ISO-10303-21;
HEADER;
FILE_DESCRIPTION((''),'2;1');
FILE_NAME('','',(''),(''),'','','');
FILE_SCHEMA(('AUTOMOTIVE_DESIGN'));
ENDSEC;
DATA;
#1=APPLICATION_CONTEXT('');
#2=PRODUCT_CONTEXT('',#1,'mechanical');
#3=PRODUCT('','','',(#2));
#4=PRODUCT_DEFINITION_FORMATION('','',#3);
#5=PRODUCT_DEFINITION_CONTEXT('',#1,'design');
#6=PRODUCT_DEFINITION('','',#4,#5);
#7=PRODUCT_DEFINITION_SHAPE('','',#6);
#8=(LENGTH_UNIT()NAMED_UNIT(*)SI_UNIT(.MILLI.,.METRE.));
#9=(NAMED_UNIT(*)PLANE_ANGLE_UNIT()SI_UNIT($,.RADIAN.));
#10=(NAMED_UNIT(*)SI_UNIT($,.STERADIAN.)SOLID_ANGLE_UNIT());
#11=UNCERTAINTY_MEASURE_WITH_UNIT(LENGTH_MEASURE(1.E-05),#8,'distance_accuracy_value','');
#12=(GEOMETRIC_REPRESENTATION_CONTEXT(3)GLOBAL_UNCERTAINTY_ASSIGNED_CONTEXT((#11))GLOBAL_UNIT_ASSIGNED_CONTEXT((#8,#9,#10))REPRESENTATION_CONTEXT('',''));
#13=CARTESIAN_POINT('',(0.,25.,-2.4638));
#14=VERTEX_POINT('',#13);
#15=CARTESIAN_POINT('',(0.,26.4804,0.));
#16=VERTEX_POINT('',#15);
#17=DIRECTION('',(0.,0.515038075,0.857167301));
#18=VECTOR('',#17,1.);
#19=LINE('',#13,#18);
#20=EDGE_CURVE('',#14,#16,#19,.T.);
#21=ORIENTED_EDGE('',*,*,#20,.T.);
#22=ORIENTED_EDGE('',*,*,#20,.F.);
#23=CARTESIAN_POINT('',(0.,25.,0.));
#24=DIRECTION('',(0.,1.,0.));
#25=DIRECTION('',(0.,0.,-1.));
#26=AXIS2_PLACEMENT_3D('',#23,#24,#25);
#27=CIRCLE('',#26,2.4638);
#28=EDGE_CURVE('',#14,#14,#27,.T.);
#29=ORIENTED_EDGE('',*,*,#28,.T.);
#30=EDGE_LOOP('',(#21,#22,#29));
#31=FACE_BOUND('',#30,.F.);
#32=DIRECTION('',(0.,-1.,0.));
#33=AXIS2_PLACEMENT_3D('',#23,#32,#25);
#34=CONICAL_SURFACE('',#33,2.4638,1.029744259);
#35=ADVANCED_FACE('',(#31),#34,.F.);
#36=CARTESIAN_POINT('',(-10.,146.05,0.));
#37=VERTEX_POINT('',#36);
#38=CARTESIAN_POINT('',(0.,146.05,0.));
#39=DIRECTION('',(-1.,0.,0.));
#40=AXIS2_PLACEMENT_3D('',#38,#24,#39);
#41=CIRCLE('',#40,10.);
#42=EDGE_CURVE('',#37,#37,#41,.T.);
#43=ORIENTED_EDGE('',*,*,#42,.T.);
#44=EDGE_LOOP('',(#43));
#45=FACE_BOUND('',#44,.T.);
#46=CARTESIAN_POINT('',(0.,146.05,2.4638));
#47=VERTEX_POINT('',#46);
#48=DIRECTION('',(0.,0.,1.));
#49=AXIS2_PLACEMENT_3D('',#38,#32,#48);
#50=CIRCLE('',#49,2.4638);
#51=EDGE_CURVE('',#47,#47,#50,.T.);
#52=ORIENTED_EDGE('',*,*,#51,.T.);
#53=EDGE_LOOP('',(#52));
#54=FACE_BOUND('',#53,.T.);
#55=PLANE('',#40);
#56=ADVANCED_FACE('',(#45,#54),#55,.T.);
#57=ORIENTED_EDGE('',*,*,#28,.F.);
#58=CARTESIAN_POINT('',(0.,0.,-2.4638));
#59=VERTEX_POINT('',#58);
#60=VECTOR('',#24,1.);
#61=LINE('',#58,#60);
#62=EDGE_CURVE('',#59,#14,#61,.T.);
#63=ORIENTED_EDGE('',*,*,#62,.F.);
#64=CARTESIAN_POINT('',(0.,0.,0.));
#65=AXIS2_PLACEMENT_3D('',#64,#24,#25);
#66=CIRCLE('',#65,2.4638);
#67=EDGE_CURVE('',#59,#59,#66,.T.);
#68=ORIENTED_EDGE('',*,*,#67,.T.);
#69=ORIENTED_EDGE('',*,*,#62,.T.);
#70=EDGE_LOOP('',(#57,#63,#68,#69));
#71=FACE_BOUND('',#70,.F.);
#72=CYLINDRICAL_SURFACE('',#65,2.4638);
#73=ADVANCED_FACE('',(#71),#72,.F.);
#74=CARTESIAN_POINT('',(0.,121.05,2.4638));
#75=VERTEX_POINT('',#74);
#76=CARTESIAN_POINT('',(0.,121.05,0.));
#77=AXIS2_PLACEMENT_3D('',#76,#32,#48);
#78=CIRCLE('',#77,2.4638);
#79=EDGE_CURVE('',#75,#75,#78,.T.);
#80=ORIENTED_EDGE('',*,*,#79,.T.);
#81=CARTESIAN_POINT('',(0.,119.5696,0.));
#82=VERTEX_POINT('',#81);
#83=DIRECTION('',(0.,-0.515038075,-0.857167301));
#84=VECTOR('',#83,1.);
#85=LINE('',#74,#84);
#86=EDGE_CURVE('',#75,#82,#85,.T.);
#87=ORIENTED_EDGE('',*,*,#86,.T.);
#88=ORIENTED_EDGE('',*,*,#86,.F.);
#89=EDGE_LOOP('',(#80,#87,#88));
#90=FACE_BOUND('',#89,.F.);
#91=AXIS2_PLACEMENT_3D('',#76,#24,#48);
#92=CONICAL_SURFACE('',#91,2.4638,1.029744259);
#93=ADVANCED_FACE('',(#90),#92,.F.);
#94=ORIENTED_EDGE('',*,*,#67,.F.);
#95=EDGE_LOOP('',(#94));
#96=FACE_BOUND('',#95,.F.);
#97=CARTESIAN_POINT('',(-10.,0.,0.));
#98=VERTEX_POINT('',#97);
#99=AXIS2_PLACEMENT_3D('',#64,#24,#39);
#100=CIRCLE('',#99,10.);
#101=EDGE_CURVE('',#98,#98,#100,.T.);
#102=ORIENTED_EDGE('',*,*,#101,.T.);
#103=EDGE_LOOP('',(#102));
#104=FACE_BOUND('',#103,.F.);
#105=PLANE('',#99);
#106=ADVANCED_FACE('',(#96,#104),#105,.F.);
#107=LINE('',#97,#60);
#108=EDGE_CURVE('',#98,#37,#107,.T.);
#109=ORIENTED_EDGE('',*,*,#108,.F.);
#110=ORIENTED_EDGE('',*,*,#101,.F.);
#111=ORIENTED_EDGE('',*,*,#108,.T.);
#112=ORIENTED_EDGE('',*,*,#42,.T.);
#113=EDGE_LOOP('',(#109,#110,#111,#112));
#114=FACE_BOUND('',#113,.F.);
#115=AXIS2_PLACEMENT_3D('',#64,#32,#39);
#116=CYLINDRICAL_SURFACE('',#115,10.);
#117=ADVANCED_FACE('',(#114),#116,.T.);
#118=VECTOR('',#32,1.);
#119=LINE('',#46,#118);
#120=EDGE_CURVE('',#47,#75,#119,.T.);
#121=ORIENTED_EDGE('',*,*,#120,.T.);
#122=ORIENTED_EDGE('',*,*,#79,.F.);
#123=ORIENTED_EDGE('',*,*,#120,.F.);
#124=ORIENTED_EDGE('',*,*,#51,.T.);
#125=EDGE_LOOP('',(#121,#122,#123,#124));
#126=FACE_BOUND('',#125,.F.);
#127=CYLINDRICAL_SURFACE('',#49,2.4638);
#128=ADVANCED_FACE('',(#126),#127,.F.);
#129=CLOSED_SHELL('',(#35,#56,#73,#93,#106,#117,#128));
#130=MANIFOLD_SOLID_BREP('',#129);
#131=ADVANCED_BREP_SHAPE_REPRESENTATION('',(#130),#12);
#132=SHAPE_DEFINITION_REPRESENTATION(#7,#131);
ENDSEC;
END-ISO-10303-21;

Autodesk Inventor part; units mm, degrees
ref_plane "YZ Plane" through (0, 0, 0) normal (1, 0, 0) x (0, 1, 0)
ref_plane "XZ Plane" through (0, 0, 0) normal (0, 1, 0) x (-1, 0, 0)
ref_plane "XY Plane" through (0, 0, 0) normal (0, 0, 1) x (1, 0, 0)
sketch "Sketch1" plane through (0, 0, 0) normal (0, 1, 0) x (-1, 0, 0)
  circle A0 centre (0, 0) radius 10
  dimension "d0" = 20
extrude "Extrusion1" add sketch "Sketch1" along normal blind 146.05
sketch "Sketch2" plane through (0, 146.05, 0) normal (0, 1, 0) x (1, 0, 0)
  circle A0 centre (0, 0) radius 10 projected
  circle A1 centre (0, 0) radius 1.7528
hole "Hole1" at (0, 146.05, 0) direction (0, -1, 0) diameter 4.9276 depth 25 tip angle 118
sketch "Sketch3" plane through (0, 0, 0) normal (0, -1, 0) x (1, 0, 0)
  circle A0 centre (0, 0) radius 10 projected
  circle A1 centre (0, 0) radius 2.7242
hole "Hole2" at (0, 0, 0) direction (0, 1, 0) diameter 4.9276 depth 25 tip angle 118
properties part number "dipoleDiscSpacer_B" material "Acetal Resin, White"
